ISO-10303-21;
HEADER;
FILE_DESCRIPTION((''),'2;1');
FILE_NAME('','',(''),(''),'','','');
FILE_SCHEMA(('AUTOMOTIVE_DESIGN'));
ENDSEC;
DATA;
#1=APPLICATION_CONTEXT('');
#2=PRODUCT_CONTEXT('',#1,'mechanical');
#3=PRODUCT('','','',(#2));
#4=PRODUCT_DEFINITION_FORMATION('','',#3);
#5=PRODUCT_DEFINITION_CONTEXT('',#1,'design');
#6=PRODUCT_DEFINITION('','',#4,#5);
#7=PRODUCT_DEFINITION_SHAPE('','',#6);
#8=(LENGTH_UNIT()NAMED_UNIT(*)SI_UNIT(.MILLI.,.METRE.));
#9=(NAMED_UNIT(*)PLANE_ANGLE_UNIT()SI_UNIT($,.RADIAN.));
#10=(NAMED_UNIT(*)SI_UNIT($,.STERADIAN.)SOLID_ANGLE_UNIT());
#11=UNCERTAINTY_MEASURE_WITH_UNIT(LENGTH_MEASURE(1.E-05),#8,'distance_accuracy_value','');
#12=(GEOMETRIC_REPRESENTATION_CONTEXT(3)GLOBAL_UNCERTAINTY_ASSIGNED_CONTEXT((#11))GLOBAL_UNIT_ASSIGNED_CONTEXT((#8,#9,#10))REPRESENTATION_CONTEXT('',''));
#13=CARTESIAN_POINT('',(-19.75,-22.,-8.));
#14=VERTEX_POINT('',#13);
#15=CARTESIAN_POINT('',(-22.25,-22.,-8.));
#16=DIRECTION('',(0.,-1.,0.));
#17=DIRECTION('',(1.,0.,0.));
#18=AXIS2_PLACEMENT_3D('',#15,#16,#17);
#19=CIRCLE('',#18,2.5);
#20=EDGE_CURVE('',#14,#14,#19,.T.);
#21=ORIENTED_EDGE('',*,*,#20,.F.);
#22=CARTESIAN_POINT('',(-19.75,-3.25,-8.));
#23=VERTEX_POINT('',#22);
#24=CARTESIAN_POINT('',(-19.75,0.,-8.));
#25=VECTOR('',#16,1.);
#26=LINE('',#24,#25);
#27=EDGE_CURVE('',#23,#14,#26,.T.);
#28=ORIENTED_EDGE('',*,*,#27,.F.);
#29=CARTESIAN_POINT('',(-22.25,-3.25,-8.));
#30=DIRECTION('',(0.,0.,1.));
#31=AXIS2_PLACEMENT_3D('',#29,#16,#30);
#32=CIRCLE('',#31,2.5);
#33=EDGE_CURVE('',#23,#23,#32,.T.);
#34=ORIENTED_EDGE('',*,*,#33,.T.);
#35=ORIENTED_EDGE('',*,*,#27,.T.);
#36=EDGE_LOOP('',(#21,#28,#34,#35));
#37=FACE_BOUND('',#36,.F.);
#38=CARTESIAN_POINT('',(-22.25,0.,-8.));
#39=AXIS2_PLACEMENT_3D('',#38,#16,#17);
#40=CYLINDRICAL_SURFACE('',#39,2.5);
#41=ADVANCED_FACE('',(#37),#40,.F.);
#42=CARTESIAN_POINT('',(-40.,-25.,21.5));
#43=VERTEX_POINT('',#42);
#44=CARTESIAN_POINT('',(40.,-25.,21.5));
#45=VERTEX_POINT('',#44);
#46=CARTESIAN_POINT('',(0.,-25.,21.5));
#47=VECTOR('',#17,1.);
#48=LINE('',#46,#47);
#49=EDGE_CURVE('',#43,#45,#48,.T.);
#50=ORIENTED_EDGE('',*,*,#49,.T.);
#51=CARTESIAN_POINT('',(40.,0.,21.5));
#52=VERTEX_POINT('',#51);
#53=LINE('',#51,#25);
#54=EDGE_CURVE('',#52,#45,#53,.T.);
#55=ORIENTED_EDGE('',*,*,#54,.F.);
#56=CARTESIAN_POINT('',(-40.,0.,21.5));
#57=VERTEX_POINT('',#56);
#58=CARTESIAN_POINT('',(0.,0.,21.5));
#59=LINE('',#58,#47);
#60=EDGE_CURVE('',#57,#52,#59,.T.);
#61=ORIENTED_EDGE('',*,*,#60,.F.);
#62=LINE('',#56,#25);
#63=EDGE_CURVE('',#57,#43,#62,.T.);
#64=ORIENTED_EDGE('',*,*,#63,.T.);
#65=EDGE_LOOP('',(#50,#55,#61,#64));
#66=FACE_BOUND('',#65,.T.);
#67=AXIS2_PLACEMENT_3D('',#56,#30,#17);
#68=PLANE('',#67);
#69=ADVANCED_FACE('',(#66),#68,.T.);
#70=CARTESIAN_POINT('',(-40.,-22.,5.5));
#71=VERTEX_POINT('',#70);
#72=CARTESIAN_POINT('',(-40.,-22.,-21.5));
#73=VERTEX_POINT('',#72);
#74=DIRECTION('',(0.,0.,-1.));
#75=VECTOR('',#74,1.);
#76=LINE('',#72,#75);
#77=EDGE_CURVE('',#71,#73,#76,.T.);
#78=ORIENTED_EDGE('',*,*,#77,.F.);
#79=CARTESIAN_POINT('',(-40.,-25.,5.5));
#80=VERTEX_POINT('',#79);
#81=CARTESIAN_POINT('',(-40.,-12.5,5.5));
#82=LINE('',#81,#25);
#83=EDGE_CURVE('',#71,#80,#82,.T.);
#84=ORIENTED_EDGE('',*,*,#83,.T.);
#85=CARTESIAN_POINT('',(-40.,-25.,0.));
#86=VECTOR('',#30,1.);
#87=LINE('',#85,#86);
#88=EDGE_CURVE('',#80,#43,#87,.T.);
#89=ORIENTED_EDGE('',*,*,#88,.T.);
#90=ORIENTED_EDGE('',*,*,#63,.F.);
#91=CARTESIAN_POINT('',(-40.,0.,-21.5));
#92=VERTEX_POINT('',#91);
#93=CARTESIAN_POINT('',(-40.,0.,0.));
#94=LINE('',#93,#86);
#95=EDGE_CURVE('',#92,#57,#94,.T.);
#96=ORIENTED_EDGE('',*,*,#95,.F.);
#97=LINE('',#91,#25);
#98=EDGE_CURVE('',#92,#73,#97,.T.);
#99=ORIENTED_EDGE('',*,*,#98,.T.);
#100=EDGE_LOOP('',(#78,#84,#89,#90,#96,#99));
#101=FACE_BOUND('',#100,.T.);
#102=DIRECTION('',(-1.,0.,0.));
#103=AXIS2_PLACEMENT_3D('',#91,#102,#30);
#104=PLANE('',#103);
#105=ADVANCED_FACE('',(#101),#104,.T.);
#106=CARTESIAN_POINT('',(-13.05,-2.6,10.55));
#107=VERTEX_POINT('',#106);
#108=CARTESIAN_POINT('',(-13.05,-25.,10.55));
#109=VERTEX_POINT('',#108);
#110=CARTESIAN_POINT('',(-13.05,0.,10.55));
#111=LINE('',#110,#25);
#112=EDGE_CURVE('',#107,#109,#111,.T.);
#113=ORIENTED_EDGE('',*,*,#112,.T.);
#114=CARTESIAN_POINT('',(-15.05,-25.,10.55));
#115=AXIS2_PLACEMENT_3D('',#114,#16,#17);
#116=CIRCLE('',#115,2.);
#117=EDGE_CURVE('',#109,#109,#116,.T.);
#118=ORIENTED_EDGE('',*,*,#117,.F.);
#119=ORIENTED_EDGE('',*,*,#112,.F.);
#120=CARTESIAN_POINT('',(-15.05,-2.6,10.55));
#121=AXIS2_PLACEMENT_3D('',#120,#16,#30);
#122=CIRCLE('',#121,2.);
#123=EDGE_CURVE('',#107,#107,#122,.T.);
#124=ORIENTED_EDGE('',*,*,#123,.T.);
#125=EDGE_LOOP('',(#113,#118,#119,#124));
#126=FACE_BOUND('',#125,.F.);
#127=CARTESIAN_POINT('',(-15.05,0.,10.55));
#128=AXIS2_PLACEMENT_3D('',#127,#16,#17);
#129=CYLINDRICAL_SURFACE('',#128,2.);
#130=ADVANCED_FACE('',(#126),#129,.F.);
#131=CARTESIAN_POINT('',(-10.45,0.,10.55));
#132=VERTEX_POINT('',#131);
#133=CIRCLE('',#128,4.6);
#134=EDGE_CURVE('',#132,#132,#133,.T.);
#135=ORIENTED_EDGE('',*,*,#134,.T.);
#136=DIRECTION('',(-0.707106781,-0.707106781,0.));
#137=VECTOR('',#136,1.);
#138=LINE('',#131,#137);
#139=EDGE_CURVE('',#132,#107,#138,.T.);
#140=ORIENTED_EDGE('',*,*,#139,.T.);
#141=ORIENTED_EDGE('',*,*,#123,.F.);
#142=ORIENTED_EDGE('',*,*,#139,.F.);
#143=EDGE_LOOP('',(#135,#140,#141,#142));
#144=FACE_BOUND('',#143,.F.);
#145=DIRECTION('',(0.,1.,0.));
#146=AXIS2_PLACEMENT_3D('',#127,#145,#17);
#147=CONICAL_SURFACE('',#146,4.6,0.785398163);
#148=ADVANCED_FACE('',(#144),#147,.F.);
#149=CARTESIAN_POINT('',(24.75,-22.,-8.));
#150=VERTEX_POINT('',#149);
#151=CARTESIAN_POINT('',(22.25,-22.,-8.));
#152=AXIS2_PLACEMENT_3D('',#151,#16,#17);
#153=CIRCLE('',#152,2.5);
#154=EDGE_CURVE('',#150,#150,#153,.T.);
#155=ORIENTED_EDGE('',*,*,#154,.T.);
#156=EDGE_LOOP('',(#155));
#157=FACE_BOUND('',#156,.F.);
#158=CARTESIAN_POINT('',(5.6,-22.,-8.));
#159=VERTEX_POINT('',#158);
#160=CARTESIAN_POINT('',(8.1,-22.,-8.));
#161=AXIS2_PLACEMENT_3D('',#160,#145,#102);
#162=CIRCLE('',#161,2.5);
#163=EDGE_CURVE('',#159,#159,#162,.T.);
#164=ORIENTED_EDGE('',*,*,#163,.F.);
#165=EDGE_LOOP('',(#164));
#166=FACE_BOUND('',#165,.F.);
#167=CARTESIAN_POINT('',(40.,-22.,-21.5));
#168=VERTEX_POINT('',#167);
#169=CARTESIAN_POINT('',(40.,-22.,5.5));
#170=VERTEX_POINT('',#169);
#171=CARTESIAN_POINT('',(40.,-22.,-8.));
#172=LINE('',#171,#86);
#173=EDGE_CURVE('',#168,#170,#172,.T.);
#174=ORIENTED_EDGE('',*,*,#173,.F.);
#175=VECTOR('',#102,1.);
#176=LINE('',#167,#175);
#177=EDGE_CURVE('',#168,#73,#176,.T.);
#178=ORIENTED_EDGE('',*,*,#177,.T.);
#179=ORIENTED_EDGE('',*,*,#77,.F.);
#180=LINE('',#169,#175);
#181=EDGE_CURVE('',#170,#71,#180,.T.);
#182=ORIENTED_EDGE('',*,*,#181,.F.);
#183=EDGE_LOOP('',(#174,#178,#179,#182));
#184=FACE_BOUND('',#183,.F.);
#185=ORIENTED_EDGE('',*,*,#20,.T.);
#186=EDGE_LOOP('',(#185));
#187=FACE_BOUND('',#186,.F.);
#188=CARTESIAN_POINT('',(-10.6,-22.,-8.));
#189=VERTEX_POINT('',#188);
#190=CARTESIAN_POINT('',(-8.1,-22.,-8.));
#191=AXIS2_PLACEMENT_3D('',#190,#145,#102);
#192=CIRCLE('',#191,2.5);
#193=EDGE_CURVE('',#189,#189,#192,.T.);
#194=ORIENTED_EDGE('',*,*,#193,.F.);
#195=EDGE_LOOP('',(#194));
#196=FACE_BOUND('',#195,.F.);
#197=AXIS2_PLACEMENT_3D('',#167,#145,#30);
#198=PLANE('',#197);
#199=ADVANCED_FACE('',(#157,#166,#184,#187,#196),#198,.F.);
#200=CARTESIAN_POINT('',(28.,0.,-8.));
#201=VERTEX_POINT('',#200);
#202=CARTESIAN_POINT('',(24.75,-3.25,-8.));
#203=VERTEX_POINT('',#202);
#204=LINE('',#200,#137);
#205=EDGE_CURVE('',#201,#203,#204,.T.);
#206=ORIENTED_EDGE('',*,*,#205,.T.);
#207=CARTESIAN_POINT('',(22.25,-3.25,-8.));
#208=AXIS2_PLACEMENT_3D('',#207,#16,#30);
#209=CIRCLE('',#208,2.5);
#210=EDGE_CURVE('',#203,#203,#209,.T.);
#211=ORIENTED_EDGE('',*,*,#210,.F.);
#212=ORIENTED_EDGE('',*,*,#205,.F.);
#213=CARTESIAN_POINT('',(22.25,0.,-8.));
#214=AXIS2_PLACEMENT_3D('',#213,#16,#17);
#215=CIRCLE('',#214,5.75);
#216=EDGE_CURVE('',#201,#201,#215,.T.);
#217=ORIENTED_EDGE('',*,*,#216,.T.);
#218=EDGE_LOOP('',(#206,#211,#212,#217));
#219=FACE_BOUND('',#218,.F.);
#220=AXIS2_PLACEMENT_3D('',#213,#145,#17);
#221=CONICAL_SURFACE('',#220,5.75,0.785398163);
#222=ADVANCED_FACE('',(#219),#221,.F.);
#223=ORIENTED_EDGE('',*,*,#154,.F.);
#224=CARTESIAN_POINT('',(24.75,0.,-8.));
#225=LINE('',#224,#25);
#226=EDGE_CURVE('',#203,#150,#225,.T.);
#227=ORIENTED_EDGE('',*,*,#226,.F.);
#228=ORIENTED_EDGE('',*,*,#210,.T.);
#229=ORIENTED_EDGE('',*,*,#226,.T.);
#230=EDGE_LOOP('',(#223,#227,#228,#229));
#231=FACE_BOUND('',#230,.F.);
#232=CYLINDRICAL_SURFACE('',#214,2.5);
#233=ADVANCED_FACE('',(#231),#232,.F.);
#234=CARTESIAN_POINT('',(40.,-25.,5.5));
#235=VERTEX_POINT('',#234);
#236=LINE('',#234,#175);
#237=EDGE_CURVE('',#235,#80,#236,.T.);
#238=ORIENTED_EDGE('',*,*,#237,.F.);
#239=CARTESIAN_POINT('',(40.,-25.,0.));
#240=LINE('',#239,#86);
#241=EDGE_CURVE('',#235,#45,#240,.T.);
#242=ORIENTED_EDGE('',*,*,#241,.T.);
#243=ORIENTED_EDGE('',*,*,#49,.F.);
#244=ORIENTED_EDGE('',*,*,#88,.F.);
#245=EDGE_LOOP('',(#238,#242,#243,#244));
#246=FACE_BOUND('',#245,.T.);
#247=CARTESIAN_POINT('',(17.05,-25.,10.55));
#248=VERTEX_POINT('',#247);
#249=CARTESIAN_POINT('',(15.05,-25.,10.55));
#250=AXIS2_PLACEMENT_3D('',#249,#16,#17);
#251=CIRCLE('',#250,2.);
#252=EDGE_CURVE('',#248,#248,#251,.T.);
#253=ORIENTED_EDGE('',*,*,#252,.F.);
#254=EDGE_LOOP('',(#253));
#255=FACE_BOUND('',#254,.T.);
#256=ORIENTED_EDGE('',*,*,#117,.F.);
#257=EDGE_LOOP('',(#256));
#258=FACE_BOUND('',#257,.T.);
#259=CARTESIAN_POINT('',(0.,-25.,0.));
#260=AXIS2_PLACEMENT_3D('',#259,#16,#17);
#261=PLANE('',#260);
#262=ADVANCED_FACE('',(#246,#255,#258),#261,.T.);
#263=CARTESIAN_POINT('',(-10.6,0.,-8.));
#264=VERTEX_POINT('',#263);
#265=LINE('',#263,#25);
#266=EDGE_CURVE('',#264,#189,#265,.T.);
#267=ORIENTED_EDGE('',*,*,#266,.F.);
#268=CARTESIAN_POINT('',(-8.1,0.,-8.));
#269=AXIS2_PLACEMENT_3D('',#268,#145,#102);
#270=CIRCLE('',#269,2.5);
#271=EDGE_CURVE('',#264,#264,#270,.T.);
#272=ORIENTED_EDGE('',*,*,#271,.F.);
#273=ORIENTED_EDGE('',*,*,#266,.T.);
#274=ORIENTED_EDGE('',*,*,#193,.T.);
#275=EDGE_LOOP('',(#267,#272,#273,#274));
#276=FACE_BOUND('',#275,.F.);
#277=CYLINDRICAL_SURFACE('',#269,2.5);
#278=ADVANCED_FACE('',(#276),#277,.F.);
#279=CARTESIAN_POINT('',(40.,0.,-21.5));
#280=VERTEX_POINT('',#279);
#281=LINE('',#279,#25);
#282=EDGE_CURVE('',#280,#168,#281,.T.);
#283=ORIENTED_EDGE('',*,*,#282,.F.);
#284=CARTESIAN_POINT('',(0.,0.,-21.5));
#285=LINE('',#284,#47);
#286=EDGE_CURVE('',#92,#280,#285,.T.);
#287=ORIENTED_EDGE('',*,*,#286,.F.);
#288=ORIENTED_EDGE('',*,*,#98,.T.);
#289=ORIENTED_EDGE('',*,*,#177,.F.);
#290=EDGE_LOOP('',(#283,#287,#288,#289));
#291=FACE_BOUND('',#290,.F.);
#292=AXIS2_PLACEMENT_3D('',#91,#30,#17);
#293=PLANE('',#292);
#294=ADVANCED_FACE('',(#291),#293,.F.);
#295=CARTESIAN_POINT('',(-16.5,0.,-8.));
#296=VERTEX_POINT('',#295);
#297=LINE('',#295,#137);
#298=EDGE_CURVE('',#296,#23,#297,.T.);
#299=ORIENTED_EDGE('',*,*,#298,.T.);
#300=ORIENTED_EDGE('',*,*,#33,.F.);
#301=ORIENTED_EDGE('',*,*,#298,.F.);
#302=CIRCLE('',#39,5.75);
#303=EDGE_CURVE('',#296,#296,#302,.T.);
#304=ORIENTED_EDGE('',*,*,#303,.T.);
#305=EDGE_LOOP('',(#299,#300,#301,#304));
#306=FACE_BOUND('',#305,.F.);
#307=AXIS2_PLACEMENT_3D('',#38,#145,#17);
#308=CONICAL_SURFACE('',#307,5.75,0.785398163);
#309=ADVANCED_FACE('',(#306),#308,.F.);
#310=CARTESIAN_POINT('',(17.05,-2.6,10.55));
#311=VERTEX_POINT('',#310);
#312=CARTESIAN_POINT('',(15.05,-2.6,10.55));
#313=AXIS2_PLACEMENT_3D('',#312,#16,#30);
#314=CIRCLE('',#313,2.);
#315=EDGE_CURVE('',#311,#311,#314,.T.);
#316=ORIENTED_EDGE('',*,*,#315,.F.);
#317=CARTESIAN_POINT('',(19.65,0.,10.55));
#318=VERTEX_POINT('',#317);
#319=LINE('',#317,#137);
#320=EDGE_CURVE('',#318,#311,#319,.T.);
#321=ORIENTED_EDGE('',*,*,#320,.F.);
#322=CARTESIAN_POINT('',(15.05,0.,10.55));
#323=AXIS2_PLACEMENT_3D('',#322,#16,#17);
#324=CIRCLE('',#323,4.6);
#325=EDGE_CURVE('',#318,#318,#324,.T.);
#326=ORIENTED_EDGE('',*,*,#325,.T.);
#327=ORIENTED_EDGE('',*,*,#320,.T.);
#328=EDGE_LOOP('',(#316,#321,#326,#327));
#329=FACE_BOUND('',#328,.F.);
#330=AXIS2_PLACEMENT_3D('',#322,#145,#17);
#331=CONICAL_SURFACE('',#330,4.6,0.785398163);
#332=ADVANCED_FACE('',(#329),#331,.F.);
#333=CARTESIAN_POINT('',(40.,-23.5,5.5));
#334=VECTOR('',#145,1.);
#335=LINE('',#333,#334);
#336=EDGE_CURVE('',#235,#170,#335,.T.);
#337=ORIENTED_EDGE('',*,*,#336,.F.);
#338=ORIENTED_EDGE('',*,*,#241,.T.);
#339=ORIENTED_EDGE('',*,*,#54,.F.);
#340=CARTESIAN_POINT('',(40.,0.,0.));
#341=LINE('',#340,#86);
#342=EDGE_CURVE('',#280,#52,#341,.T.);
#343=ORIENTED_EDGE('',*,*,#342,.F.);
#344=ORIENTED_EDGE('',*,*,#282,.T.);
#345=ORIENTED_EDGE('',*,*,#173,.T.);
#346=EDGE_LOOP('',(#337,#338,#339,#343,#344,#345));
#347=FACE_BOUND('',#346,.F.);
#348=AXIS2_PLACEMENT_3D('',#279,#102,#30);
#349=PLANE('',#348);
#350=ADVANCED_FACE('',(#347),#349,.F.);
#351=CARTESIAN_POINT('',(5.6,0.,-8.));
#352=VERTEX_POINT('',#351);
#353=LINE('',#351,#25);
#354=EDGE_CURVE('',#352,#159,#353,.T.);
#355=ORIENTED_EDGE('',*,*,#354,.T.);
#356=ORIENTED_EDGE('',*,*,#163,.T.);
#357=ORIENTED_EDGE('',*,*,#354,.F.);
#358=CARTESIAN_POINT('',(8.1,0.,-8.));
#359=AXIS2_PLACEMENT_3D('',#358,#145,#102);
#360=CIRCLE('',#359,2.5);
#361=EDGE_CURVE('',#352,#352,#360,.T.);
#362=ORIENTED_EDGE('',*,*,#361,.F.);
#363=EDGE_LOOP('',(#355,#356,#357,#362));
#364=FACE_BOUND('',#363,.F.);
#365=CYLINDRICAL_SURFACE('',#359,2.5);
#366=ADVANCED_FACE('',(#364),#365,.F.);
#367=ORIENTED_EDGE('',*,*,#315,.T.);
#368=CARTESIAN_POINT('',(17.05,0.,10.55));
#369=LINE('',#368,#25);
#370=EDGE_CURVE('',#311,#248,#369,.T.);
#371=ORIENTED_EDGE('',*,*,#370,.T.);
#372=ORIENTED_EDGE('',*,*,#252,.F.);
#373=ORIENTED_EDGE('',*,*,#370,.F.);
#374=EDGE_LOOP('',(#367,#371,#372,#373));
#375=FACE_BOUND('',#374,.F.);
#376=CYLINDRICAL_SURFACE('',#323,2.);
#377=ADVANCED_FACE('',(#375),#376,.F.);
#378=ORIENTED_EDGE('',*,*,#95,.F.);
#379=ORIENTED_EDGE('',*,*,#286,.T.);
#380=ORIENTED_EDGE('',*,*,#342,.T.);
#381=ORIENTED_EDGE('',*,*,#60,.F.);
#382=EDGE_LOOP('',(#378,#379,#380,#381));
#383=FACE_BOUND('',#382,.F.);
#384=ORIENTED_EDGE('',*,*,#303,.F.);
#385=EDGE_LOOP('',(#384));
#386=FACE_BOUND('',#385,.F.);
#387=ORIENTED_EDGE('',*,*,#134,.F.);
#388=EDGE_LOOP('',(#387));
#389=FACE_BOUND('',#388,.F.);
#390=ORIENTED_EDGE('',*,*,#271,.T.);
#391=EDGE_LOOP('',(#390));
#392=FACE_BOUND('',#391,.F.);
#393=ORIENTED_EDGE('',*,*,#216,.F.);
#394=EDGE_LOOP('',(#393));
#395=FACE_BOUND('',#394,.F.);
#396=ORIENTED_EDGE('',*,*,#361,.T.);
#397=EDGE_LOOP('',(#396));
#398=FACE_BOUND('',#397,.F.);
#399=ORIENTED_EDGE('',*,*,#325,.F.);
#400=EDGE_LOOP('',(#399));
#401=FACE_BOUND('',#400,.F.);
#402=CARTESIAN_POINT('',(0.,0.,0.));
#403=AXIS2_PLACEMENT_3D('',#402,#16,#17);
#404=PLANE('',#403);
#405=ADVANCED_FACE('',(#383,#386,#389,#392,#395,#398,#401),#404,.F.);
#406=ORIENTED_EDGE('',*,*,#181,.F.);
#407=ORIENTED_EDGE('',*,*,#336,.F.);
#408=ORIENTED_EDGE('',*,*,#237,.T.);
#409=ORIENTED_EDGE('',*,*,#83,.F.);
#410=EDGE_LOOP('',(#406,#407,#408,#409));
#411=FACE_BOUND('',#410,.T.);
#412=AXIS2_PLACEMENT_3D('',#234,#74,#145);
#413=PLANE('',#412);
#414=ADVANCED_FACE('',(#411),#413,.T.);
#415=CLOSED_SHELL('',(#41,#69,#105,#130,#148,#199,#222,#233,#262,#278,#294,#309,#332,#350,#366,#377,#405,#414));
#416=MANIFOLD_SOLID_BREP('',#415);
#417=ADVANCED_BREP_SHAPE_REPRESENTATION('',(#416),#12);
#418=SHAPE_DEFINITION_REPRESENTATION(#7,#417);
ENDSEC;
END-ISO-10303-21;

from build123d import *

# Parameters (mm, degrees)
F0_W           = 80
F0_H           = 43
F1_DEPTH       = 25
F2_W           = 3
F2_H           = 27
F3_DEPTH       = 80.001
F4_R           = 2.5
F5_DEPTH       = 25.001
F6_D           = 4
F6_CSINK_D     = 9.2
F6_CSINK_ANGLE = 90
F7_D           = 5
F7_CSINK_D     = 11.5
F7_CSINK_ANGLE = 90


with BuildPart() as f1:
    # F0 (on Front) → F1 (new body)
    with BuildSketch(Plane.XZ):
        Rectangle(F0_W, F0_H)
    extrude(amount=F1_DEPTH)

    # F2 (on face) → F3 (cut, through all)
    with BuildSketch(Plane.YZ.offset(40)):
        with Locations((-23.5, -8)):
            Rectangle(F2_W, F2_H)
    extrude(amount=-F3_DEPTH, mode=Mode.SUBTRACT)

    # F4 (on face) → F5 (cut, through all)
    with BuildSketch(Plane(origin=(0, 0, 0), x_dir=(-1, 0, 0), z_dir=(0, 1, 0))):
        with Locations((-8.1, -8)):
            Circle(F4_R)
        with Locations((8.1, -8)):
            Circle(F4_R)
    extrude(amount=-F5_DEPTH, mode=Mode.SUBTRACT)

    # F6 (through all)
    with Locations(Plane(origin=(0, 0, 0), x_dir=(-1, 0, 0), z_dir=(0, 1, 0))):
        with Locations((-15.05, 10.55), (15.05, 10.55)):
            CounterSinkHole(F6_D / 2, F6_CSINK_D / 2, counter_sink_angle=F6_CSINK_ANGLE)

    # F7 (through all)
    with Locations(Plane(origin=(0, 0, 0), x_dir=(-1, 0, 0), z_dir=(0, 1, 0))):
        with Locations((-22.25, -8), (22.25, -8)):
            CounterSinkHole(F7_D / 2, F7_CSINK_D / 2, counter_sink_angle=F7_CSINK_ANGLE)


solid = f1.part
